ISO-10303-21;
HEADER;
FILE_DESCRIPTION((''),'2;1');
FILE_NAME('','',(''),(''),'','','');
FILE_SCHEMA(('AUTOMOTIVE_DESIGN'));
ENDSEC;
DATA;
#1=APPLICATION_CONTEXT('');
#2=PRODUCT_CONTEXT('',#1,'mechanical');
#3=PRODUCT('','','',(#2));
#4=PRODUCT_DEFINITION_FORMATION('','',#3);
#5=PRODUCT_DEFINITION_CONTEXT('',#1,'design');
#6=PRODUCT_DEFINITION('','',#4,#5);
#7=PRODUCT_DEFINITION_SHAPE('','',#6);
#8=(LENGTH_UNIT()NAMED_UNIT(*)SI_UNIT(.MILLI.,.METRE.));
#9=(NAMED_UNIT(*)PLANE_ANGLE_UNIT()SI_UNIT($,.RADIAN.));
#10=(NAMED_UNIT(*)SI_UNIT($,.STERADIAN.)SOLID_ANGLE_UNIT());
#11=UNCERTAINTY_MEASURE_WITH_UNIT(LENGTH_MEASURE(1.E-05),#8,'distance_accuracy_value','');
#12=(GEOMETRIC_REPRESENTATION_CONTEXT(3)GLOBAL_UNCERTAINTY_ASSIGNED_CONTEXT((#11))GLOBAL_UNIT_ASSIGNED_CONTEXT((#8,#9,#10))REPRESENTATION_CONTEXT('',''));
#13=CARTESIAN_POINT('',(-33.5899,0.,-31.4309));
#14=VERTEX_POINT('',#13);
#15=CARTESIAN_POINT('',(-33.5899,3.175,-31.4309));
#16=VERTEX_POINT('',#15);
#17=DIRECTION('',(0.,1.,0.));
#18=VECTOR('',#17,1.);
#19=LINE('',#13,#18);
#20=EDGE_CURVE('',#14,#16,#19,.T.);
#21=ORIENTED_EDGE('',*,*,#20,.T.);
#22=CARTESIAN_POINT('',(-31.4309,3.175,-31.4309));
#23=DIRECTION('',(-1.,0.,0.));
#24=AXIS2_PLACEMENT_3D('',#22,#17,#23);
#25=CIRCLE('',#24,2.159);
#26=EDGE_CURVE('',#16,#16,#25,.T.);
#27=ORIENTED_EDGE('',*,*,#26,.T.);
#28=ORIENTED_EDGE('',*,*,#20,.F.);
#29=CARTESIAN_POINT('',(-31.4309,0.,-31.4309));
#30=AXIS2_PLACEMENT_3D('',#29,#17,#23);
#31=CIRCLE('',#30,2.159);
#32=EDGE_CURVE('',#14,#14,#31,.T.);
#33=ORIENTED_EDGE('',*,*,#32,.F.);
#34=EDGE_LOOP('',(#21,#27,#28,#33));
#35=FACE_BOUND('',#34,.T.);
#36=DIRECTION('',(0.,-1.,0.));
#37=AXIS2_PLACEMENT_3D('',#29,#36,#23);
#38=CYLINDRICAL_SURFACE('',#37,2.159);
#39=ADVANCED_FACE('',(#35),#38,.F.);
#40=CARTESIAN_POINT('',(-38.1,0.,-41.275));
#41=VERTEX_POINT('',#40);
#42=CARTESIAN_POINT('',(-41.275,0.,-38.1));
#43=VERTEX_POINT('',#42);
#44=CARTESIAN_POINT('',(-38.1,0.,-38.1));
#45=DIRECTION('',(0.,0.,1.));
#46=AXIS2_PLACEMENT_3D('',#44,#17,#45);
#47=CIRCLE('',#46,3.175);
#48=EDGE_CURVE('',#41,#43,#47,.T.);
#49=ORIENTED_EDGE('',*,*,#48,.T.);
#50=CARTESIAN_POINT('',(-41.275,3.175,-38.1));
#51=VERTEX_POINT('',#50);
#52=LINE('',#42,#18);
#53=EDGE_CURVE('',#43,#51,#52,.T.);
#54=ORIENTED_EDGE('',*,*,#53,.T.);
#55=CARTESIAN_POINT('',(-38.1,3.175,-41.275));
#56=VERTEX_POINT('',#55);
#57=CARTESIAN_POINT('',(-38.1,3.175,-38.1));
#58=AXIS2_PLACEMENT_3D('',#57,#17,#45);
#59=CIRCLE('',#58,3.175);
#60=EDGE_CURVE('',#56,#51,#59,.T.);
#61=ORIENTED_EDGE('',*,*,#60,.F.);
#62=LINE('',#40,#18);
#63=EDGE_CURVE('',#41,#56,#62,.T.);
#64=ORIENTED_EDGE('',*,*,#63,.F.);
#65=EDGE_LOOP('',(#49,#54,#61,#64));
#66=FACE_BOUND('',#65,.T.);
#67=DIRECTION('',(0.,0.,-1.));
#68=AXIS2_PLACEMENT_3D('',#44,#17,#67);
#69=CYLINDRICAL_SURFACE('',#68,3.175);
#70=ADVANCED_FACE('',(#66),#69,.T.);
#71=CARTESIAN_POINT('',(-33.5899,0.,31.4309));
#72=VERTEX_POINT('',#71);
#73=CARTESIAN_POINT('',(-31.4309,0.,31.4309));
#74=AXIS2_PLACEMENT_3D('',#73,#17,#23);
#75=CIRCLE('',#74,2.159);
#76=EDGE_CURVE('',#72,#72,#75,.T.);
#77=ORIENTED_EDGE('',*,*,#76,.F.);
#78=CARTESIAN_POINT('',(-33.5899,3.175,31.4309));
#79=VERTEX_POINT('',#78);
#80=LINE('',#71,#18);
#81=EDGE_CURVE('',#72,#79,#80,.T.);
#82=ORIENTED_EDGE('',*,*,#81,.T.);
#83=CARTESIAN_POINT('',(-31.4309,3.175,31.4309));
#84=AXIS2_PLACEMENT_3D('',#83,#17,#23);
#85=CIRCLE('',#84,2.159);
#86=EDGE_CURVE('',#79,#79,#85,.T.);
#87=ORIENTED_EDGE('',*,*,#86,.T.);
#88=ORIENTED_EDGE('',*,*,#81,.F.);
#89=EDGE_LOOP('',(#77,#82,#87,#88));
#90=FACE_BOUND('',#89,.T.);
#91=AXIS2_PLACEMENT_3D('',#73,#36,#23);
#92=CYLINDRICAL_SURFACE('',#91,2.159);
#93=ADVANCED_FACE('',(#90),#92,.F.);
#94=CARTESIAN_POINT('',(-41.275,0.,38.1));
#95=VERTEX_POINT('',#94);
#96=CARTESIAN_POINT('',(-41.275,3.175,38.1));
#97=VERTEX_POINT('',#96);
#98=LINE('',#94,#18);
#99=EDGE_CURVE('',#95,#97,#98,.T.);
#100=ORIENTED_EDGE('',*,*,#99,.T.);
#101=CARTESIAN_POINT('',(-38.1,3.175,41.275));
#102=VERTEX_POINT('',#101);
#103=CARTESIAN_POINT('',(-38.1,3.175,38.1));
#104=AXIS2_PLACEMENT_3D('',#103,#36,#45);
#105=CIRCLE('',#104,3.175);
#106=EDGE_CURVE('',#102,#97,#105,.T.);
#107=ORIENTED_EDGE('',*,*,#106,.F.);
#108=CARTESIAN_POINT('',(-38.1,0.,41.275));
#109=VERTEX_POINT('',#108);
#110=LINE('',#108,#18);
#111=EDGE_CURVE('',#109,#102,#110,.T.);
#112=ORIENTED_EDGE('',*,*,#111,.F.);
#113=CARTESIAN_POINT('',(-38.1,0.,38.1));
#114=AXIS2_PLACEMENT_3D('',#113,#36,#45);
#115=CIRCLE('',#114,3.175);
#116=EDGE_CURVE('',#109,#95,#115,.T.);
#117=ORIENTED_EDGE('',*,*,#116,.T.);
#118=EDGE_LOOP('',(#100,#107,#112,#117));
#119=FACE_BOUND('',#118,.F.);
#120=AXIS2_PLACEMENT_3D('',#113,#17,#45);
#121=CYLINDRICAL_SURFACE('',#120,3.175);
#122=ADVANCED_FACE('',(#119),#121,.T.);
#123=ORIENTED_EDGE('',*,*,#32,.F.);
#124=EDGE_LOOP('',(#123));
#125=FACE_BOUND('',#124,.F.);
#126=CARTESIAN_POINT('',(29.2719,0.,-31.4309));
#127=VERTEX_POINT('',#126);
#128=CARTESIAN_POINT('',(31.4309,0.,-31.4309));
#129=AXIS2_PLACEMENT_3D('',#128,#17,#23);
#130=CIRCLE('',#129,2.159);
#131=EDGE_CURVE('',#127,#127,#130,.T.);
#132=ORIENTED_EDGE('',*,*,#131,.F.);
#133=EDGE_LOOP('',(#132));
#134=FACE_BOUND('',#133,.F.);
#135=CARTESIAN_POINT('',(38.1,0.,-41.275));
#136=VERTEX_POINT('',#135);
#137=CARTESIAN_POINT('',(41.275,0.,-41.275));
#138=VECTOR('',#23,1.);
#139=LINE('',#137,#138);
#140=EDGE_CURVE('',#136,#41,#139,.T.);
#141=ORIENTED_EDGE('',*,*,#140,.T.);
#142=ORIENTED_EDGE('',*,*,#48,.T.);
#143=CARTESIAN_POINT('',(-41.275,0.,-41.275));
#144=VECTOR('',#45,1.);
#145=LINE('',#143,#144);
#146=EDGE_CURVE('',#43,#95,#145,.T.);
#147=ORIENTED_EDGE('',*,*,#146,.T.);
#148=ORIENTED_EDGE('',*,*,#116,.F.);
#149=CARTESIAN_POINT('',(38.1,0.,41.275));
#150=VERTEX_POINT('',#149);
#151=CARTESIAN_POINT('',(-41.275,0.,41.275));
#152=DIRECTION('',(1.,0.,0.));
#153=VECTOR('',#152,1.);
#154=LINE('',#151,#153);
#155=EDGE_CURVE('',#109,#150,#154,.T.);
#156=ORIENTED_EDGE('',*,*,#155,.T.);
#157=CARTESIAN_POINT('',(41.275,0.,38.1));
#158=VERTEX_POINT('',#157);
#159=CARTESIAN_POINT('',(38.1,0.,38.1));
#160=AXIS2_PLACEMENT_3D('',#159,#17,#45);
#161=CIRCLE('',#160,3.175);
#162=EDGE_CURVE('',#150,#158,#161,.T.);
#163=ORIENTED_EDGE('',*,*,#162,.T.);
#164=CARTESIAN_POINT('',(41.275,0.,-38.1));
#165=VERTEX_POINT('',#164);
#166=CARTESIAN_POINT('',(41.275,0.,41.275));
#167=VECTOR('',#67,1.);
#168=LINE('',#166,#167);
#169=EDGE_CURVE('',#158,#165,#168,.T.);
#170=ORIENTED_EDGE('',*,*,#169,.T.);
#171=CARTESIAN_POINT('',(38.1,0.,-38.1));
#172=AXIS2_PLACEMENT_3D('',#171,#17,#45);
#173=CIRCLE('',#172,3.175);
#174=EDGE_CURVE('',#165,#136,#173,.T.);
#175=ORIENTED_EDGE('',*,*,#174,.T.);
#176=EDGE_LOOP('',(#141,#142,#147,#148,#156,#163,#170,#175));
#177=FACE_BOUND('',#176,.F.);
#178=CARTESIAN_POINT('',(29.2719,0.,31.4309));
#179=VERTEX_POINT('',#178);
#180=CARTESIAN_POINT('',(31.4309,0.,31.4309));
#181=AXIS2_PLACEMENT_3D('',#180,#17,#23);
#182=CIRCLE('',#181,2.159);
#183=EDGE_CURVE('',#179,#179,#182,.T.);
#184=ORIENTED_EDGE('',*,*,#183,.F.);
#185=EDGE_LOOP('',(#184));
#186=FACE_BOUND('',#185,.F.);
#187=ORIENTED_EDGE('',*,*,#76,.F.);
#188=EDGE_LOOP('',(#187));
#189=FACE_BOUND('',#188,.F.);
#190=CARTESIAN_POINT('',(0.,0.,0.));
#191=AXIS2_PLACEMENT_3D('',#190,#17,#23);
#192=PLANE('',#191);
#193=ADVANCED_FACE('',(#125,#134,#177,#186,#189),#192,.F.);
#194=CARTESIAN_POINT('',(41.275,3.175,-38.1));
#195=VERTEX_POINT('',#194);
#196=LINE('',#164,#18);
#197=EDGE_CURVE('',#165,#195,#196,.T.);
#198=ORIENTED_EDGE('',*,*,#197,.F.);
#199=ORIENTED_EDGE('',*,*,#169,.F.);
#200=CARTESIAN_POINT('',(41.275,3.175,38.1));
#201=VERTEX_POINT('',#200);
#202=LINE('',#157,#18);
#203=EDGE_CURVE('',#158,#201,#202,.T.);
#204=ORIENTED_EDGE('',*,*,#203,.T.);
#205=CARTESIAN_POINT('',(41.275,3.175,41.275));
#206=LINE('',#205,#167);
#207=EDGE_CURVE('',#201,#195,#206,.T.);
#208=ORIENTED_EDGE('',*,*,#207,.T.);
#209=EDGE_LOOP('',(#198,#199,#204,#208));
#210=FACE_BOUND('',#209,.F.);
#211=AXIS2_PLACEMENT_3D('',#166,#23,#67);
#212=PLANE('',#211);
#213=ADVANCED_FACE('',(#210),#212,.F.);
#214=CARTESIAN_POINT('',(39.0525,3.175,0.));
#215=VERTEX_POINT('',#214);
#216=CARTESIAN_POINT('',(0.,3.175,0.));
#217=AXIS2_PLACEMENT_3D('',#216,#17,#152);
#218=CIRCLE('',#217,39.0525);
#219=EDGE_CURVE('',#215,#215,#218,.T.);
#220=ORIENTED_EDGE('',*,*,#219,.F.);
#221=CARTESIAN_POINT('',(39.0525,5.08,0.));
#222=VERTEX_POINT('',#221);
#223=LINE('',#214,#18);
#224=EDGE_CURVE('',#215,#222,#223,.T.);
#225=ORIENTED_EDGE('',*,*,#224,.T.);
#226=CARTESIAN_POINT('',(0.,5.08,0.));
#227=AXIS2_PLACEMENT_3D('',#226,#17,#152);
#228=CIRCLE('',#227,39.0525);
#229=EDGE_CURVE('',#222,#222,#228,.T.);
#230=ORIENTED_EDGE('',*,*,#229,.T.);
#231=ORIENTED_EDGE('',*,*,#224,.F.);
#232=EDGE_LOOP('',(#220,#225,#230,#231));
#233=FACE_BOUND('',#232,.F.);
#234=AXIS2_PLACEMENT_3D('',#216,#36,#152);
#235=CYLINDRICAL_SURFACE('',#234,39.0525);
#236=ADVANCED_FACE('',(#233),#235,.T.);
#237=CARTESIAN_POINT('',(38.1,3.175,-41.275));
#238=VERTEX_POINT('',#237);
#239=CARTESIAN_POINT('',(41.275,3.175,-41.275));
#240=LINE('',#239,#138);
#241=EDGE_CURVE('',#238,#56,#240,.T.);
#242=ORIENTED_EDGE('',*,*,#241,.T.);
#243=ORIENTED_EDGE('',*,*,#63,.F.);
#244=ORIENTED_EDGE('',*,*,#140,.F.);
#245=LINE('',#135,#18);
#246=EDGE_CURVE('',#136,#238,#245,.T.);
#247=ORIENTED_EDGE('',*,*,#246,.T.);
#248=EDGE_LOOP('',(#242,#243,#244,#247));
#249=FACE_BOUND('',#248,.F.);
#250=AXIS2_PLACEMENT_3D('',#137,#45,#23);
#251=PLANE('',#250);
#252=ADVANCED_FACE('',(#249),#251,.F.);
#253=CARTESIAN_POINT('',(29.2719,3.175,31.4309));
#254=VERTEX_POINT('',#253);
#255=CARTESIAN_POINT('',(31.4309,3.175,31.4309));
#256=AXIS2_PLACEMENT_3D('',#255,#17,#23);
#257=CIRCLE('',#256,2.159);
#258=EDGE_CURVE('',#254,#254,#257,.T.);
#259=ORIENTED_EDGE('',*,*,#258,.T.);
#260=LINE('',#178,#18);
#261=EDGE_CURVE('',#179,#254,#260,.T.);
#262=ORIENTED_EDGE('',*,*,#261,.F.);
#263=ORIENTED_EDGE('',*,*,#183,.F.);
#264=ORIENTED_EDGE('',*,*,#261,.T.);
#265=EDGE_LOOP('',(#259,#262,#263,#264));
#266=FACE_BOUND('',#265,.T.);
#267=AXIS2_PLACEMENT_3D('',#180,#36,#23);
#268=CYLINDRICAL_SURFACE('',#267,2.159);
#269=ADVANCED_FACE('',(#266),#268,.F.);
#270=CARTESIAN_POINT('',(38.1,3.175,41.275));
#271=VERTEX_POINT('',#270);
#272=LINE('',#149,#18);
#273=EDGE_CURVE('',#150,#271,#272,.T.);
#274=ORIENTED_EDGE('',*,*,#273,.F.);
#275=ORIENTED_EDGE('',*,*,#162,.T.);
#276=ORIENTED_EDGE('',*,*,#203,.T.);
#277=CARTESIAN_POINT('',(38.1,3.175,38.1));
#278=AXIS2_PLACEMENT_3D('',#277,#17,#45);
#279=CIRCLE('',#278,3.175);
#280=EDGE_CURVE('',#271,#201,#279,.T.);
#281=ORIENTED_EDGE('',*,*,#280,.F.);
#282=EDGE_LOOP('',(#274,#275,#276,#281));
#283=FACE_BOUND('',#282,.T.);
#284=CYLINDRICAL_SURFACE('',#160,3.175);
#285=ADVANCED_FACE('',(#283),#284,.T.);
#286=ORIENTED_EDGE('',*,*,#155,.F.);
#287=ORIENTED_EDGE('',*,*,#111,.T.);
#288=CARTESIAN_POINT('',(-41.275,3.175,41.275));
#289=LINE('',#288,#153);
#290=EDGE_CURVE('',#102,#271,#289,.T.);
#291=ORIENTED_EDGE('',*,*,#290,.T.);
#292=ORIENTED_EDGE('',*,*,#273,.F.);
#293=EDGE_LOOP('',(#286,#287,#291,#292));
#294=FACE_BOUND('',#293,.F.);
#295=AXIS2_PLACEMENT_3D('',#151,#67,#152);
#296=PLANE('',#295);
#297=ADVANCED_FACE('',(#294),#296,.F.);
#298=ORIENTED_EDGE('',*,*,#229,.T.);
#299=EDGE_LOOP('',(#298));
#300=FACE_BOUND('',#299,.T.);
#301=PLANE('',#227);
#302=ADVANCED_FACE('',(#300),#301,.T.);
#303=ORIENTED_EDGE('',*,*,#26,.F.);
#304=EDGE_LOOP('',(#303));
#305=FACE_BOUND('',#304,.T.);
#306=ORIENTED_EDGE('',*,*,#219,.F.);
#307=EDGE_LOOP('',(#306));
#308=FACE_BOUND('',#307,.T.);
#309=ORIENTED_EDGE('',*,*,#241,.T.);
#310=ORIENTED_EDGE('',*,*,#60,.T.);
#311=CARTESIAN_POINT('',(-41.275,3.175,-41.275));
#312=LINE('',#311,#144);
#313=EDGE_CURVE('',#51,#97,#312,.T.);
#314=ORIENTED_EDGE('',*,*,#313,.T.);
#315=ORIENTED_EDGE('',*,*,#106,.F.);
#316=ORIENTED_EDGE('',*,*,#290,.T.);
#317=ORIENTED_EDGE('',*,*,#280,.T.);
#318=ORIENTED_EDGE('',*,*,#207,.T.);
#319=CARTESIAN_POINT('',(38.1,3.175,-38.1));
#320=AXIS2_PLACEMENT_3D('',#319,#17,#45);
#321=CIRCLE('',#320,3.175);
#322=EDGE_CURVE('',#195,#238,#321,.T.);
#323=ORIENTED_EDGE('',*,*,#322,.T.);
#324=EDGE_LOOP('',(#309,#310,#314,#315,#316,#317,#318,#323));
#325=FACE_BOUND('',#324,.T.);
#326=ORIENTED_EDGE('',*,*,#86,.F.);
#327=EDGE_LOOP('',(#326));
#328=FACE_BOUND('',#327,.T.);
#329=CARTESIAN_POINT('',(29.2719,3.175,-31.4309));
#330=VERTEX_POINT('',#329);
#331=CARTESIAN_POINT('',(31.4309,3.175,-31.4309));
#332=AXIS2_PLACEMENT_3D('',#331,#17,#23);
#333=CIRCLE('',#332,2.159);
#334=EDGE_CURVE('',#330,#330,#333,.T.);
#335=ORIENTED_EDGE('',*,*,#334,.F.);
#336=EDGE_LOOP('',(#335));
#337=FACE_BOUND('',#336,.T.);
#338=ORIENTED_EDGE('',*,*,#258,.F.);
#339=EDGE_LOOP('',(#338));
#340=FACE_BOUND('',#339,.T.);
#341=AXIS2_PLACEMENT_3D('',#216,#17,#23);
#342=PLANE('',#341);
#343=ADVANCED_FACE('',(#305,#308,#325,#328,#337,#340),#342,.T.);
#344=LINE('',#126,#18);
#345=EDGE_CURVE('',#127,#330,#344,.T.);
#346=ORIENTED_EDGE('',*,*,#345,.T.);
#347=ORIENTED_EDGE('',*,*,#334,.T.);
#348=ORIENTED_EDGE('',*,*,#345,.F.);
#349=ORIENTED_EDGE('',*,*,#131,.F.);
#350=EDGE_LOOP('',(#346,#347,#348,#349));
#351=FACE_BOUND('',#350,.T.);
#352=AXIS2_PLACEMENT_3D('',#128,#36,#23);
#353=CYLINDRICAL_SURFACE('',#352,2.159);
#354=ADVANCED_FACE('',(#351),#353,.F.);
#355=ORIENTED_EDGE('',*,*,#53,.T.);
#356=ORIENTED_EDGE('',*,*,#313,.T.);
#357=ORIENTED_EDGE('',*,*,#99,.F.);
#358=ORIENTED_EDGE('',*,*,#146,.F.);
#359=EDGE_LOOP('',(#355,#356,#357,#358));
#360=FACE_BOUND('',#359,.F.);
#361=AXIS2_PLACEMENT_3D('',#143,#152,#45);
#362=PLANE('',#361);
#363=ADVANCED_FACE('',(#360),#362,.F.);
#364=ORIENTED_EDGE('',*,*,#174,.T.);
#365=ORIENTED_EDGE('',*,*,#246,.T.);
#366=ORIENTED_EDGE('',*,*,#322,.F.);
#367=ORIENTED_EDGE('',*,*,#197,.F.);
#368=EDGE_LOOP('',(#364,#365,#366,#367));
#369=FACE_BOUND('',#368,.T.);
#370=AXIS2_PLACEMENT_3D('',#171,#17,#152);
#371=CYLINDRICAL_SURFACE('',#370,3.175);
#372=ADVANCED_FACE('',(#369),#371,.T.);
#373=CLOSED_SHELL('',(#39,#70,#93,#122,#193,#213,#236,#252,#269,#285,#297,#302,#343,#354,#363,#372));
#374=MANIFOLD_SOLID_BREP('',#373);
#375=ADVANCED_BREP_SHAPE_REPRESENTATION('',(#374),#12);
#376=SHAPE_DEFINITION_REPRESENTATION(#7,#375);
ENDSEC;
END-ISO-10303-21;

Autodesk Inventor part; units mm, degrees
ref_plane "YZ Plane" through (0, 0, 0) normal (1, 0, 0) x (0, 1, 0)
ref_plane "XZ Plane" through (0, 0, 0) normal (0, 1, 0) x (-1, 0, 0)
ref_plane "XY Plane" through (0, 0, 0) normal (0, 0, 1) x (1, 0, 0)
sketch "Sketch1" plane through (0, 0, 0) normal (0, 1, 0) x (-1, 0, 0)
  line L0 (41.275, 41.275) -> (-41.275, 41.275)
  line L1 (-41.275, 41.275) -> (-41.275, -41.275)
  line L2 (-41.275, -41.275) -> (41.275, -41.275)
  line L3 (41.275, -41.275) -> (41.275, 41.275)
  circle A0 centre (0, 0) radius 44.45 construction
  circle A1 centre (0, 0) radius 39.6875
  line L4 (-41.275, 41.275) -> (41.275, -41.275) construction
  line L5 (41.275, 41.275) -> (-41.275, -41.275) construction
  circle A2 centre (31.4309, 31.4309) radius 2.159
  circle A3 centre (31.4309, -31.4309) radius 2.159
  circle A4 centre (-31.4309, 31.4309) radius 2.159
  circle A5 centre (-31.4309, -31.4309) radius 2.159
  point P0 (0, 0)
  point P1 (0, 0)
  point P2 (0, 0)
  dimension "d0" = 82.55
  dimension "d1" = 82.55
  dimension "d2" = 88.9
  dimension "d3" = 79.375
  dimension "d4" = 4.318
  dimension "d5" = 4.318
  dimension "d6" = 4.318
  dimension "d7" = 4.318
extrude "Extrusion1" add sketch "Sketch1" along normal blind 3.175 contours L3 L2 L1 L0 | A1
sketch "Sketch2" plane through (0, 3.175, 0) normal (0, 1, 0) x (1, 0, 0)
  circle A0 centre (0, 0) radius 39.0525
  circle A1 centre (0, 0) radius 39.6875 construction
  point P0 (0, 0)
  dimension "d10" = 78.105
  dimension "d17" = 79.375
extrude "Extrusion2" add sketch "Sketch2" along normal blind 1.905
fillet "Fillet1" radius 3.175 1 edges at (41.275, 1.5875, 41.275)
fillet "Fillet2" radius 3.175 1 edges at (-41.275, 1.5875, 41.275)
fillet "Fillet3" radius 3.175 1 edges at (41.275, 1.5875, -41.275)
fillet "Fillet4" radius 3.175 1 edges at (-41.275, 1.5875, -41.275)
properties part number "3-125-instrument-blank"
